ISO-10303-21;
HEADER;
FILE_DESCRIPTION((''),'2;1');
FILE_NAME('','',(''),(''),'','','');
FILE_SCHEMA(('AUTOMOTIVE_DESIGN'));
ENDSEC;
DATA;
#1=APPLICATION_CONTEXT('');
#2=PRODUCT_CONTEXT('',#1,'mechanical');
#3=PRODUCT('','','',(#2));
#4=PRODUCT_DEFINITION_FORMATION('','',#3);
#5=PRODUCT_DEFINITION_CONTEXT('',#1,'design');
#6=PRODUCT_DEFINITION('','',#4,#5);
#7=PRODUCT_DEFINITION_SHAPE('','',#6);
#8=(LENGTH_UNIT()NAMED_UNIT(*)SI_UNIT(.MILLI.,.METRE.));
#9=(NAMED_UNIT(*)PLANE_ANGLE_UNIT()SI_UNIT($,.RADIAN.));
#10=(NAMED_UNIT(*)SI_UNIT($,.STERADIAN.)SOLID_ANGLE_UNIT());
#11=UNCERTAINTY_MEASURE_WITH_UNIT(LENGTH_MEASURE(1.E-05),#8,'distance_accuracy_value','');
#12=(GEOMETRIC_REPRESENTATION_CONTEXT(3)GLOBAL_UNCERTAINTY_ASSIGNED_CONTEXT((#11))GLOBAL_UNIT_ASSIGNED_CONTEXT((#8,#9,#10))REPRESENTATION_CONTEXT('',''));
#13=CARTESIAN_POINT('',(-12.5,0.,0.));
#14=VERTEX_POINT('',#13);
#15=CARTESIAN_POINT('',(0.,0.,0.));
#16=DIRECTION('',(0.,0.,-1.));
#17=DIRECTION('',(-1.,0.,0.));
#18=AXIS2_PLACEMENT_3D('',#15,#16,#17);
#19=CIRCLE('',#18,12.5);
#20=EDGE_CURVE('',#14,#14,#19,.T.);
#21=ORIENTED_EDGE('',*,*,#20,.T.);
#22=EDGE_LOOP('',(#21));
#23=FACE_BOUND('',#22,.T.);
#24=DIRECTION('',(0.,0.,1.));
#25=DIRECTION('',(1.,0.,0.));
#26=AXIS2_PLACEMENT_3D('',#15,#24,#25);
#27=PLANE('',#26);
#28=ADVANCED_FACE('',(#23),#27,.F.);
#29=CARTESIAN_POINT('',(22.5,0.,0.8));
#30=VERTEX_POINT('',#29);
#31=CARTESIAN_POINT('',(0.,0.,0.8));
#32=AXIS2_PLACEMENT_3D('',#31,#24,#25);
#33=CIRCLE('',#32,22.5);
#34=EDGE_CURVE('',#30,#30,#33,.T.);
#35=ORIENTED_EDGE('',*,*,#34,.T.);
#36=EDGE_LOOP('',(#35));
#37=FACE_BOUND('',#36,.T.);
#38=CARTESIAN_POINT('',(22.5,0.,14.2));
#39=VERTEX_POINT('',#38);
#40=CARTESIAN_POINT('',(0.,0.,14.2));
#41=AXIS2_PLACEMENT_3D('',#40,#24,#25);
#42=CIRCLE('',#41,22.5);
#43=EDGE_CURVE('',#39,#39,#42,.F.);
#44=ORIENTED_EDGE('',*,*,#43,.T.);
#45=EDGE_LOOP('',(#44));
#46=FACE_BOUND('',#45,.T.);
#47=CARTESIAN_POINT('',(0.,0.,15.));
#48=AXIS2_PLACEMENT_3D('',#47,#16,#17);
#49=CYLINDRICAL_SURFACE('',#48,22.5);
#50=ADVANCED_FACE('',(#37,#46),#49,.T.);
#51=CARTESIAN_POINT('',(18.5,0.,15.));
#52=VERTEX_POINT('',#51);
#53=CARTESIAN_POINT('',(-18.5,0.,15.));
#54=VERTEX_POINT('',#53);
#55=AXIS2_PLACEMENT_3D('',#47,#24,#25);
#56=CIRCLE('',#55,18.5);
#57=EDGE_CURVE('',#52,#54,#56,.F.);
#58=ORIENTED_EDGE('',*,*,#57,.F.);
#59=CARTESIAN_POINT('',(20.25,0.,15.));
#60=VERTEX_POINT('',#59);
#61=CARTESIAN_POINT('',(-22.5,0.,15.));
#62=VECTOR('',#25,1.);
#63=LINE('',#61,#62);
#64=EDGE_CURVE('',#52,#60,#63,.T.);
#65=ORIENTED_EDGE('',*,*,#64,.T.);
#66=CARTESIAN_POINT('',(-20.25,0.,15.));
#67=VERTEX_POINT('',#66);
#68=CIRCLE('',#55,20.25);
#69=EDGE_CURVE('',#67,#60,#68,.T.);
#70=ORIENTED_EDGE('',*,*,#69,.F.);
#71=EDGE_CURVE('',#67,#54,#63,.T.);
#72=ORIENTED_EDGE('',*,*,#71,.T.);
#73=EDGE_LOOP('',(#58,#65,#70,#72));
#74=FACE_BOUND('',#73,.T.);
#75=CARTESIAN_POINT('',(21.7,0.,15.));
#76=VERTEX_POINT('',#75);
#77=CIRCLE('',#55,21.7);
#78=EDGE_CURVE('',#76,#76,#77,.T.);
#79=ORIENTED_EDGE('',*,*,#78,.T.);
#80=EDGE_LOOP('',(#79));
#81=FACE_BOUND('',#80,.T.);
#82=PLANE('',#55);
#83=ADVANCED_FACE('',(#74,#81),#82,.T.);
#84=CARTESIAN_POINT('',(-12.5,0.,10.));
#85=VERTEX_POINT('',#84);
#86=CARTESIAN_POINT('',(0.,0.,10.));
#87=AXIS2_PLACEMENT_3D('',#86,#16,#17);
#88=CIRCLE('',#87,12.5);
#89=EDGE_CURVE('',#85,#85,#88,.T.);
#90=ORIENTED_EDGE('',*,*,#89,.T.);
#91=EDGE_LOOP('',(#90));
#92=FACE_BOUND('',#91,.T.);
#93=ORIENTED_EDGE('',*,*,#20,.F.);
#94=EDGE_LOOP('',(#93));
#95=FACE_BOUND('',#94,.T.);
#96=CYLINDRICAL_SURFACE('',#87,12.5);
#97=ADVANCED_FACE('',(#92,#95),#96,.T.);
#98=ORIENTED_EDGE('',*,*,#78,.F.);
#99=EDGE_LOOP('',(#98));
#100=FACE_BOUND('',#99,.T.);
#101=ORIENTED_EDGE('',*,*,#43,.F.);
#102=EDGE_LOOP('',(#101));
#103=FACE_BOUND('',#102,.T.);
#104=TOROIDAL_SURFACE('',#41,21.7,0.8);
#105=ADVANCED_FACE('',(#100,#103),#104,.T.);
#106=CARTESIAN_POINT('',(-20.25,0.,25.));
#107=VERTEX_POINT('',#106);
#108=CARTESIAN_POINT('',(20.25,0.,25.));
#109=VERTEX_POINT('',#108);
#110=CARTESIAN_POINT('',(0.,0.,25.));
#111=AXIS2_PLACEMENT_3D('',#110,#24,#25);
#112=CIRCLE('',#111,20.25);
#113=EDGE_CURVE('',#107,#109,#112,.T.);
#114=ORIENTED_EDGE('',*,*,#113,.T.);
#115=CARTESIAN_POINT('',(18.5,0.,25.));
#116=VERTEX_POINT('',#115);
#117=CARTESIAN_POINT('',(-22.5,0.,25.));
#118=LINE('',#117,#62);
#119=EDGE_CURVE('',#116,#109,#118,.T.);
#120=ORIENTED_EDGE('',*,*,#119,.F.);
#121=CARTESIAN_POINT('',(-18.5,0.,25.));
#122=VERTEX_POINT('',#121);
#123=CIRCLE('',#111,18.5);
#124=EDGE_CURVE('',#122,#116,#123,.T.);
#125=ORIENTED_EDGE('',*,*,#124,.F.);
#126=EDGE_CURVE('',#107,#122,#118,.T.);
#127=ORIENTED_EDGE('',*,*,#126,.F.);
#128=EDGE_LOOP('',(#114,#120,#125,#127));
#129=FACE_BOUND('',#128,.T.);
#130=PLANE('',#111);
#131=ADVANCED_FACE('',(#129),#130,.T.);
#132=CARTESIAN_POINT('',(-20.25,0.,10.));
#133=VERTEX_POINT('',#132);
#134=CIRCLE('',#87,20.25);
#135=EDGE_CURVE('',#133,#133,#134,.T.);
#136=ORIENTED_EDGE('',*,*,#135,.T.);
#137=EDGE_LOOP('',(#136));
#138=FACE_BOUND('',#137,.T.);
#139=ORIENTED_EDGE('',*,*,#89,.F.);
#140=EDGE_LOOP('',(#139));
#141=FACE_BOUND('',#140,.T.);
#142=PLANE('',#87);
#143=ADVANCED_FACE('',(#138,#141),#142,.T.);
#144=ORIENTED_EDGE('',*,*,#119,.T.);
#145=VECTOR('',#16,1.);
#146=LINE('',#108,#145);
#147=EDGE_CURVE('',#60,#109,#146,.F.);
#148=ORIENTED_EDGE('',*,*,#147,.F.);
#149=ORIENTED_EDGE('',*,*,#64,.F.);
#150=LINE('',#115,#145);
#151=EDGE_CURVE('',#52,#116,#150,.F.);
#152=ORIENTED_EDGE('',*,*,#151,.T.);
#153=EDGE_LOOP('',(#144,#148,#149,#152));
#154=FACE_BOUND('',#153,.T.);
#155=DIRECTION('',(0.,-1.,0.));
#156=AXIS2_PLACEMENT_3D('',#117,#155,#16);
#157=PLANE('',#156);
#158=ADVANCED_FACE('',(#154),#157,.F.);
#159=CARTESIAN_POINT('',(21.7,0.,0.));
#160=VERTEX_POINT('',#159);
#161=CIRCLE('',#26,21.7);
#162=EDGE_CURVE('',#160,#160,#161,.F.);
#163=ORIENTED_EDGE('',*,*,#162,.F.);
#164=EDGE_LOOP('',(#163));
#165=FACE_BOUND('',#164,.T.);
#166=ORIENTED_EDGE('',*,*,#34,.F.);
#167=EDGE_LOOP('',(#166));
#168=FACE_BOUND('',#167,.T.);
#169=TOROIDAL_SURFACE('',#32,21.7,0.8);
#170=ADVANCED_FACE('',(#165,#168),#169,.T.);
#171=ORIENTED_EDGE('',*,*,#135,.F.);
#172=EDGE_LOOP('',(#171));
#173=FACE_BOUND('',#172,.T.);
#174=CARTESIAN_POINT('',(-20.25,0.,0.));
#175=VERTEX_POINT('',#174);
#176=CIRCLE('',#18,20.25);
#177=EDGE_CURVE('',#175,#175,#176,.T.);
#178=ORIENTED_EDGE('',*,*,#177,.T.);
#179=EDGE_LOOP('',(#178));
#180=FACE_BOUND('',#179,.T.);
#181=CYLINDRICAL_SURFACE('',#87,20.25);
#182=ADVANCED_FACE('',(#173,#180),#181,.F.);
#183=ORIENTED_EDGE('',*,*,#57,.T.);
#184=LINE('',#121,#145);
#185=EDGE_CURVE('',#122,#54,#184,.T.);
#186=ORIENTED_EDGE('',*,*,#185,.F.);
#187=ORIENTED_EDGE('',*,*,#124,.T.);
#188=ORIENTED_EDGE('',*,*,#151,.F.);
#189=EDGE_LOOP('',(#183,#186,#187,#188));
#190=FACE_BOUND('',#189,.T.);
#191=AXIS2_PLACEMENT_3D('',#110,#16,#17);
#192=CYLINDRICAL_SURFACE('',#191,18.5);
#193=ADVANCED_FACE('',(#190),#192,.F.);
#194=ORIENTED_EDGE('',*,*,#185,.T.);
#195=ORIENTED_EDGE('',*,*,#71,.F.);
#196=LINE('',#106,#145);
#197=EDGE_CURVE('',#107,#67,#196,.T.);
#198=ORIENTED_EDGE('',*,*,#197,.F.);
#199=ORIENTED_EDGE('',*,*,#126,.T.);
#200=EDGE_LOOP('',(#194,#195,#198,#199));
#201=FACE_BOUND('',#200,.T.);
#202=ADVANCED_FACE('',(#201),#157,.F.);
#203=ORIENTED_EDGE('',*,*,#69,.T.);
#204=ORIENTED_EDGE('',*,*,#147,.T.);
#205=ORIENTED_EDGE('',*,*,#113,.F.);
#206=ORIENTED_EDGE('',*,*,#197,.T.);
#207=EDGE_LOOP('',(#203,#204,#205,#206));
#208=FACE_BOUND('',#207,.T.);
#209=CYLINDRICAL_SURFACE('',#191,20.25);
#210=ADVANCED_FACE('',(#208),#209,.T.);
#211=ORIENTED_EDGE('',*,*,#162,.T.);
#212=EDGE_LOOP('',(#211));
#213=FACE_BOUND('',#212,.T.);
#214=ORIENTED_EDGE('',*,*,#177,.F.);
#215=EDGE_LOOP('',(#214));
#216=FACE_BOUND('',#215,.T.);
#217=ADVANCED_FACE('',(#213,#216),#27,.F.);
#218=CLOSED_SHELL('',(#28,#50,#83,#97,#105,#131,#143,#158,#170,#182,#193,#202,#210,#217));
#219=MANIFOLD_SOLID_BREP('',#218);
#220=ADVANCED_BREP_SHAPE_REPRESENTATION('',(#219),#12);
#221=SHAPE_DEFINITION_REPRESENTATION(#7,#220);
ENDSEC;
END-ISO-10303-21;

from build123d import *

# Parameters (mm, degrees)
SKETCH1_R               = 22.5
BOSS_EXTRUDE1_DEPTH     = 15
SKETCH2_R               = 20.25
SKETCH2_R_2             = 18.5
BOSS_EXTRUDE2_DEPTH     = 10
CUT_EXTRUDE1_DEPTH      = 41.466035141
CUT_EXTRUDE1_DEPTH_BACK = 41.466035141
SKETCH4_W               = 10
SKETCH4_H               = 24.752073401
FILLET1_R               = 0.8
SKETCH5_R               = 20.25
SKETCH5_R_2             = 12.5
CUT_EXTRUDE2_DEPTH      = 10


with BuildPart() as part:
    # Sketch1 → Boss-Extrude1 (new body)
    with BuildSketch(Plane.XY):
        Circle(SKETCH1_R)
    extrude(amount=BOSS_EXTRUDE1_DEPTH)

    # Sketch2 → Boss-Extrude2 (add)
    with BuildSketch(Plane.XY.offset(15)):
        Circle(SKETCH2_R)
        Circle(SKETCH2_R_2, mode=Mode.SUBTRACT)
    extrude(amount=BOSS_EXTRUDE2_DEPTH)

    # Sketch4 → Cut-Extrude1 (cut, two sides: drawn at the far end of the back side and taken through both)
    with BuildSketch(Plane(origin=(0, 0, 0), x_dir=(0, 0, -1), z_dir=(1, 0, 0)).offset(-CUT_EXTRUDE1_DEPTH_BACK)):
        with Locations((-20, 12.376036701)):
            Rectangle(SKETCH4_W, SKETCH4_H)
    extrude(amount=CUT_EXTRUDE1_DEPTH + CUT_EXTRUDE1_DEPTH_BACK, mode=Mode.SUBTRACT)

    # Fillet1
    fillet1_edges = [part.edges().sort_by_distance(p)[0] for p in [
        (-22.5, 0, 0),
        (-22.5, 0, 15),
    ]]
    fillet(fillet1_edges, radius=FILLET1_R)

    # Sketch5 → Cut-Extrude2 (cut)
    with BuildSketch(Plane(origin=(0, 0, 0), x_dir=(-1, 0, 0), z_dir=(0, 0, -1))):
        Circle(SKETCH5_R)
        Circle(SKETCH5_R_2, mode=Mode.SUBTRACT)
    extrude(amount=-CUT_EXTRUDE2_DEPTH, mode=Mode.SUBTRACT)


solid = part.part
